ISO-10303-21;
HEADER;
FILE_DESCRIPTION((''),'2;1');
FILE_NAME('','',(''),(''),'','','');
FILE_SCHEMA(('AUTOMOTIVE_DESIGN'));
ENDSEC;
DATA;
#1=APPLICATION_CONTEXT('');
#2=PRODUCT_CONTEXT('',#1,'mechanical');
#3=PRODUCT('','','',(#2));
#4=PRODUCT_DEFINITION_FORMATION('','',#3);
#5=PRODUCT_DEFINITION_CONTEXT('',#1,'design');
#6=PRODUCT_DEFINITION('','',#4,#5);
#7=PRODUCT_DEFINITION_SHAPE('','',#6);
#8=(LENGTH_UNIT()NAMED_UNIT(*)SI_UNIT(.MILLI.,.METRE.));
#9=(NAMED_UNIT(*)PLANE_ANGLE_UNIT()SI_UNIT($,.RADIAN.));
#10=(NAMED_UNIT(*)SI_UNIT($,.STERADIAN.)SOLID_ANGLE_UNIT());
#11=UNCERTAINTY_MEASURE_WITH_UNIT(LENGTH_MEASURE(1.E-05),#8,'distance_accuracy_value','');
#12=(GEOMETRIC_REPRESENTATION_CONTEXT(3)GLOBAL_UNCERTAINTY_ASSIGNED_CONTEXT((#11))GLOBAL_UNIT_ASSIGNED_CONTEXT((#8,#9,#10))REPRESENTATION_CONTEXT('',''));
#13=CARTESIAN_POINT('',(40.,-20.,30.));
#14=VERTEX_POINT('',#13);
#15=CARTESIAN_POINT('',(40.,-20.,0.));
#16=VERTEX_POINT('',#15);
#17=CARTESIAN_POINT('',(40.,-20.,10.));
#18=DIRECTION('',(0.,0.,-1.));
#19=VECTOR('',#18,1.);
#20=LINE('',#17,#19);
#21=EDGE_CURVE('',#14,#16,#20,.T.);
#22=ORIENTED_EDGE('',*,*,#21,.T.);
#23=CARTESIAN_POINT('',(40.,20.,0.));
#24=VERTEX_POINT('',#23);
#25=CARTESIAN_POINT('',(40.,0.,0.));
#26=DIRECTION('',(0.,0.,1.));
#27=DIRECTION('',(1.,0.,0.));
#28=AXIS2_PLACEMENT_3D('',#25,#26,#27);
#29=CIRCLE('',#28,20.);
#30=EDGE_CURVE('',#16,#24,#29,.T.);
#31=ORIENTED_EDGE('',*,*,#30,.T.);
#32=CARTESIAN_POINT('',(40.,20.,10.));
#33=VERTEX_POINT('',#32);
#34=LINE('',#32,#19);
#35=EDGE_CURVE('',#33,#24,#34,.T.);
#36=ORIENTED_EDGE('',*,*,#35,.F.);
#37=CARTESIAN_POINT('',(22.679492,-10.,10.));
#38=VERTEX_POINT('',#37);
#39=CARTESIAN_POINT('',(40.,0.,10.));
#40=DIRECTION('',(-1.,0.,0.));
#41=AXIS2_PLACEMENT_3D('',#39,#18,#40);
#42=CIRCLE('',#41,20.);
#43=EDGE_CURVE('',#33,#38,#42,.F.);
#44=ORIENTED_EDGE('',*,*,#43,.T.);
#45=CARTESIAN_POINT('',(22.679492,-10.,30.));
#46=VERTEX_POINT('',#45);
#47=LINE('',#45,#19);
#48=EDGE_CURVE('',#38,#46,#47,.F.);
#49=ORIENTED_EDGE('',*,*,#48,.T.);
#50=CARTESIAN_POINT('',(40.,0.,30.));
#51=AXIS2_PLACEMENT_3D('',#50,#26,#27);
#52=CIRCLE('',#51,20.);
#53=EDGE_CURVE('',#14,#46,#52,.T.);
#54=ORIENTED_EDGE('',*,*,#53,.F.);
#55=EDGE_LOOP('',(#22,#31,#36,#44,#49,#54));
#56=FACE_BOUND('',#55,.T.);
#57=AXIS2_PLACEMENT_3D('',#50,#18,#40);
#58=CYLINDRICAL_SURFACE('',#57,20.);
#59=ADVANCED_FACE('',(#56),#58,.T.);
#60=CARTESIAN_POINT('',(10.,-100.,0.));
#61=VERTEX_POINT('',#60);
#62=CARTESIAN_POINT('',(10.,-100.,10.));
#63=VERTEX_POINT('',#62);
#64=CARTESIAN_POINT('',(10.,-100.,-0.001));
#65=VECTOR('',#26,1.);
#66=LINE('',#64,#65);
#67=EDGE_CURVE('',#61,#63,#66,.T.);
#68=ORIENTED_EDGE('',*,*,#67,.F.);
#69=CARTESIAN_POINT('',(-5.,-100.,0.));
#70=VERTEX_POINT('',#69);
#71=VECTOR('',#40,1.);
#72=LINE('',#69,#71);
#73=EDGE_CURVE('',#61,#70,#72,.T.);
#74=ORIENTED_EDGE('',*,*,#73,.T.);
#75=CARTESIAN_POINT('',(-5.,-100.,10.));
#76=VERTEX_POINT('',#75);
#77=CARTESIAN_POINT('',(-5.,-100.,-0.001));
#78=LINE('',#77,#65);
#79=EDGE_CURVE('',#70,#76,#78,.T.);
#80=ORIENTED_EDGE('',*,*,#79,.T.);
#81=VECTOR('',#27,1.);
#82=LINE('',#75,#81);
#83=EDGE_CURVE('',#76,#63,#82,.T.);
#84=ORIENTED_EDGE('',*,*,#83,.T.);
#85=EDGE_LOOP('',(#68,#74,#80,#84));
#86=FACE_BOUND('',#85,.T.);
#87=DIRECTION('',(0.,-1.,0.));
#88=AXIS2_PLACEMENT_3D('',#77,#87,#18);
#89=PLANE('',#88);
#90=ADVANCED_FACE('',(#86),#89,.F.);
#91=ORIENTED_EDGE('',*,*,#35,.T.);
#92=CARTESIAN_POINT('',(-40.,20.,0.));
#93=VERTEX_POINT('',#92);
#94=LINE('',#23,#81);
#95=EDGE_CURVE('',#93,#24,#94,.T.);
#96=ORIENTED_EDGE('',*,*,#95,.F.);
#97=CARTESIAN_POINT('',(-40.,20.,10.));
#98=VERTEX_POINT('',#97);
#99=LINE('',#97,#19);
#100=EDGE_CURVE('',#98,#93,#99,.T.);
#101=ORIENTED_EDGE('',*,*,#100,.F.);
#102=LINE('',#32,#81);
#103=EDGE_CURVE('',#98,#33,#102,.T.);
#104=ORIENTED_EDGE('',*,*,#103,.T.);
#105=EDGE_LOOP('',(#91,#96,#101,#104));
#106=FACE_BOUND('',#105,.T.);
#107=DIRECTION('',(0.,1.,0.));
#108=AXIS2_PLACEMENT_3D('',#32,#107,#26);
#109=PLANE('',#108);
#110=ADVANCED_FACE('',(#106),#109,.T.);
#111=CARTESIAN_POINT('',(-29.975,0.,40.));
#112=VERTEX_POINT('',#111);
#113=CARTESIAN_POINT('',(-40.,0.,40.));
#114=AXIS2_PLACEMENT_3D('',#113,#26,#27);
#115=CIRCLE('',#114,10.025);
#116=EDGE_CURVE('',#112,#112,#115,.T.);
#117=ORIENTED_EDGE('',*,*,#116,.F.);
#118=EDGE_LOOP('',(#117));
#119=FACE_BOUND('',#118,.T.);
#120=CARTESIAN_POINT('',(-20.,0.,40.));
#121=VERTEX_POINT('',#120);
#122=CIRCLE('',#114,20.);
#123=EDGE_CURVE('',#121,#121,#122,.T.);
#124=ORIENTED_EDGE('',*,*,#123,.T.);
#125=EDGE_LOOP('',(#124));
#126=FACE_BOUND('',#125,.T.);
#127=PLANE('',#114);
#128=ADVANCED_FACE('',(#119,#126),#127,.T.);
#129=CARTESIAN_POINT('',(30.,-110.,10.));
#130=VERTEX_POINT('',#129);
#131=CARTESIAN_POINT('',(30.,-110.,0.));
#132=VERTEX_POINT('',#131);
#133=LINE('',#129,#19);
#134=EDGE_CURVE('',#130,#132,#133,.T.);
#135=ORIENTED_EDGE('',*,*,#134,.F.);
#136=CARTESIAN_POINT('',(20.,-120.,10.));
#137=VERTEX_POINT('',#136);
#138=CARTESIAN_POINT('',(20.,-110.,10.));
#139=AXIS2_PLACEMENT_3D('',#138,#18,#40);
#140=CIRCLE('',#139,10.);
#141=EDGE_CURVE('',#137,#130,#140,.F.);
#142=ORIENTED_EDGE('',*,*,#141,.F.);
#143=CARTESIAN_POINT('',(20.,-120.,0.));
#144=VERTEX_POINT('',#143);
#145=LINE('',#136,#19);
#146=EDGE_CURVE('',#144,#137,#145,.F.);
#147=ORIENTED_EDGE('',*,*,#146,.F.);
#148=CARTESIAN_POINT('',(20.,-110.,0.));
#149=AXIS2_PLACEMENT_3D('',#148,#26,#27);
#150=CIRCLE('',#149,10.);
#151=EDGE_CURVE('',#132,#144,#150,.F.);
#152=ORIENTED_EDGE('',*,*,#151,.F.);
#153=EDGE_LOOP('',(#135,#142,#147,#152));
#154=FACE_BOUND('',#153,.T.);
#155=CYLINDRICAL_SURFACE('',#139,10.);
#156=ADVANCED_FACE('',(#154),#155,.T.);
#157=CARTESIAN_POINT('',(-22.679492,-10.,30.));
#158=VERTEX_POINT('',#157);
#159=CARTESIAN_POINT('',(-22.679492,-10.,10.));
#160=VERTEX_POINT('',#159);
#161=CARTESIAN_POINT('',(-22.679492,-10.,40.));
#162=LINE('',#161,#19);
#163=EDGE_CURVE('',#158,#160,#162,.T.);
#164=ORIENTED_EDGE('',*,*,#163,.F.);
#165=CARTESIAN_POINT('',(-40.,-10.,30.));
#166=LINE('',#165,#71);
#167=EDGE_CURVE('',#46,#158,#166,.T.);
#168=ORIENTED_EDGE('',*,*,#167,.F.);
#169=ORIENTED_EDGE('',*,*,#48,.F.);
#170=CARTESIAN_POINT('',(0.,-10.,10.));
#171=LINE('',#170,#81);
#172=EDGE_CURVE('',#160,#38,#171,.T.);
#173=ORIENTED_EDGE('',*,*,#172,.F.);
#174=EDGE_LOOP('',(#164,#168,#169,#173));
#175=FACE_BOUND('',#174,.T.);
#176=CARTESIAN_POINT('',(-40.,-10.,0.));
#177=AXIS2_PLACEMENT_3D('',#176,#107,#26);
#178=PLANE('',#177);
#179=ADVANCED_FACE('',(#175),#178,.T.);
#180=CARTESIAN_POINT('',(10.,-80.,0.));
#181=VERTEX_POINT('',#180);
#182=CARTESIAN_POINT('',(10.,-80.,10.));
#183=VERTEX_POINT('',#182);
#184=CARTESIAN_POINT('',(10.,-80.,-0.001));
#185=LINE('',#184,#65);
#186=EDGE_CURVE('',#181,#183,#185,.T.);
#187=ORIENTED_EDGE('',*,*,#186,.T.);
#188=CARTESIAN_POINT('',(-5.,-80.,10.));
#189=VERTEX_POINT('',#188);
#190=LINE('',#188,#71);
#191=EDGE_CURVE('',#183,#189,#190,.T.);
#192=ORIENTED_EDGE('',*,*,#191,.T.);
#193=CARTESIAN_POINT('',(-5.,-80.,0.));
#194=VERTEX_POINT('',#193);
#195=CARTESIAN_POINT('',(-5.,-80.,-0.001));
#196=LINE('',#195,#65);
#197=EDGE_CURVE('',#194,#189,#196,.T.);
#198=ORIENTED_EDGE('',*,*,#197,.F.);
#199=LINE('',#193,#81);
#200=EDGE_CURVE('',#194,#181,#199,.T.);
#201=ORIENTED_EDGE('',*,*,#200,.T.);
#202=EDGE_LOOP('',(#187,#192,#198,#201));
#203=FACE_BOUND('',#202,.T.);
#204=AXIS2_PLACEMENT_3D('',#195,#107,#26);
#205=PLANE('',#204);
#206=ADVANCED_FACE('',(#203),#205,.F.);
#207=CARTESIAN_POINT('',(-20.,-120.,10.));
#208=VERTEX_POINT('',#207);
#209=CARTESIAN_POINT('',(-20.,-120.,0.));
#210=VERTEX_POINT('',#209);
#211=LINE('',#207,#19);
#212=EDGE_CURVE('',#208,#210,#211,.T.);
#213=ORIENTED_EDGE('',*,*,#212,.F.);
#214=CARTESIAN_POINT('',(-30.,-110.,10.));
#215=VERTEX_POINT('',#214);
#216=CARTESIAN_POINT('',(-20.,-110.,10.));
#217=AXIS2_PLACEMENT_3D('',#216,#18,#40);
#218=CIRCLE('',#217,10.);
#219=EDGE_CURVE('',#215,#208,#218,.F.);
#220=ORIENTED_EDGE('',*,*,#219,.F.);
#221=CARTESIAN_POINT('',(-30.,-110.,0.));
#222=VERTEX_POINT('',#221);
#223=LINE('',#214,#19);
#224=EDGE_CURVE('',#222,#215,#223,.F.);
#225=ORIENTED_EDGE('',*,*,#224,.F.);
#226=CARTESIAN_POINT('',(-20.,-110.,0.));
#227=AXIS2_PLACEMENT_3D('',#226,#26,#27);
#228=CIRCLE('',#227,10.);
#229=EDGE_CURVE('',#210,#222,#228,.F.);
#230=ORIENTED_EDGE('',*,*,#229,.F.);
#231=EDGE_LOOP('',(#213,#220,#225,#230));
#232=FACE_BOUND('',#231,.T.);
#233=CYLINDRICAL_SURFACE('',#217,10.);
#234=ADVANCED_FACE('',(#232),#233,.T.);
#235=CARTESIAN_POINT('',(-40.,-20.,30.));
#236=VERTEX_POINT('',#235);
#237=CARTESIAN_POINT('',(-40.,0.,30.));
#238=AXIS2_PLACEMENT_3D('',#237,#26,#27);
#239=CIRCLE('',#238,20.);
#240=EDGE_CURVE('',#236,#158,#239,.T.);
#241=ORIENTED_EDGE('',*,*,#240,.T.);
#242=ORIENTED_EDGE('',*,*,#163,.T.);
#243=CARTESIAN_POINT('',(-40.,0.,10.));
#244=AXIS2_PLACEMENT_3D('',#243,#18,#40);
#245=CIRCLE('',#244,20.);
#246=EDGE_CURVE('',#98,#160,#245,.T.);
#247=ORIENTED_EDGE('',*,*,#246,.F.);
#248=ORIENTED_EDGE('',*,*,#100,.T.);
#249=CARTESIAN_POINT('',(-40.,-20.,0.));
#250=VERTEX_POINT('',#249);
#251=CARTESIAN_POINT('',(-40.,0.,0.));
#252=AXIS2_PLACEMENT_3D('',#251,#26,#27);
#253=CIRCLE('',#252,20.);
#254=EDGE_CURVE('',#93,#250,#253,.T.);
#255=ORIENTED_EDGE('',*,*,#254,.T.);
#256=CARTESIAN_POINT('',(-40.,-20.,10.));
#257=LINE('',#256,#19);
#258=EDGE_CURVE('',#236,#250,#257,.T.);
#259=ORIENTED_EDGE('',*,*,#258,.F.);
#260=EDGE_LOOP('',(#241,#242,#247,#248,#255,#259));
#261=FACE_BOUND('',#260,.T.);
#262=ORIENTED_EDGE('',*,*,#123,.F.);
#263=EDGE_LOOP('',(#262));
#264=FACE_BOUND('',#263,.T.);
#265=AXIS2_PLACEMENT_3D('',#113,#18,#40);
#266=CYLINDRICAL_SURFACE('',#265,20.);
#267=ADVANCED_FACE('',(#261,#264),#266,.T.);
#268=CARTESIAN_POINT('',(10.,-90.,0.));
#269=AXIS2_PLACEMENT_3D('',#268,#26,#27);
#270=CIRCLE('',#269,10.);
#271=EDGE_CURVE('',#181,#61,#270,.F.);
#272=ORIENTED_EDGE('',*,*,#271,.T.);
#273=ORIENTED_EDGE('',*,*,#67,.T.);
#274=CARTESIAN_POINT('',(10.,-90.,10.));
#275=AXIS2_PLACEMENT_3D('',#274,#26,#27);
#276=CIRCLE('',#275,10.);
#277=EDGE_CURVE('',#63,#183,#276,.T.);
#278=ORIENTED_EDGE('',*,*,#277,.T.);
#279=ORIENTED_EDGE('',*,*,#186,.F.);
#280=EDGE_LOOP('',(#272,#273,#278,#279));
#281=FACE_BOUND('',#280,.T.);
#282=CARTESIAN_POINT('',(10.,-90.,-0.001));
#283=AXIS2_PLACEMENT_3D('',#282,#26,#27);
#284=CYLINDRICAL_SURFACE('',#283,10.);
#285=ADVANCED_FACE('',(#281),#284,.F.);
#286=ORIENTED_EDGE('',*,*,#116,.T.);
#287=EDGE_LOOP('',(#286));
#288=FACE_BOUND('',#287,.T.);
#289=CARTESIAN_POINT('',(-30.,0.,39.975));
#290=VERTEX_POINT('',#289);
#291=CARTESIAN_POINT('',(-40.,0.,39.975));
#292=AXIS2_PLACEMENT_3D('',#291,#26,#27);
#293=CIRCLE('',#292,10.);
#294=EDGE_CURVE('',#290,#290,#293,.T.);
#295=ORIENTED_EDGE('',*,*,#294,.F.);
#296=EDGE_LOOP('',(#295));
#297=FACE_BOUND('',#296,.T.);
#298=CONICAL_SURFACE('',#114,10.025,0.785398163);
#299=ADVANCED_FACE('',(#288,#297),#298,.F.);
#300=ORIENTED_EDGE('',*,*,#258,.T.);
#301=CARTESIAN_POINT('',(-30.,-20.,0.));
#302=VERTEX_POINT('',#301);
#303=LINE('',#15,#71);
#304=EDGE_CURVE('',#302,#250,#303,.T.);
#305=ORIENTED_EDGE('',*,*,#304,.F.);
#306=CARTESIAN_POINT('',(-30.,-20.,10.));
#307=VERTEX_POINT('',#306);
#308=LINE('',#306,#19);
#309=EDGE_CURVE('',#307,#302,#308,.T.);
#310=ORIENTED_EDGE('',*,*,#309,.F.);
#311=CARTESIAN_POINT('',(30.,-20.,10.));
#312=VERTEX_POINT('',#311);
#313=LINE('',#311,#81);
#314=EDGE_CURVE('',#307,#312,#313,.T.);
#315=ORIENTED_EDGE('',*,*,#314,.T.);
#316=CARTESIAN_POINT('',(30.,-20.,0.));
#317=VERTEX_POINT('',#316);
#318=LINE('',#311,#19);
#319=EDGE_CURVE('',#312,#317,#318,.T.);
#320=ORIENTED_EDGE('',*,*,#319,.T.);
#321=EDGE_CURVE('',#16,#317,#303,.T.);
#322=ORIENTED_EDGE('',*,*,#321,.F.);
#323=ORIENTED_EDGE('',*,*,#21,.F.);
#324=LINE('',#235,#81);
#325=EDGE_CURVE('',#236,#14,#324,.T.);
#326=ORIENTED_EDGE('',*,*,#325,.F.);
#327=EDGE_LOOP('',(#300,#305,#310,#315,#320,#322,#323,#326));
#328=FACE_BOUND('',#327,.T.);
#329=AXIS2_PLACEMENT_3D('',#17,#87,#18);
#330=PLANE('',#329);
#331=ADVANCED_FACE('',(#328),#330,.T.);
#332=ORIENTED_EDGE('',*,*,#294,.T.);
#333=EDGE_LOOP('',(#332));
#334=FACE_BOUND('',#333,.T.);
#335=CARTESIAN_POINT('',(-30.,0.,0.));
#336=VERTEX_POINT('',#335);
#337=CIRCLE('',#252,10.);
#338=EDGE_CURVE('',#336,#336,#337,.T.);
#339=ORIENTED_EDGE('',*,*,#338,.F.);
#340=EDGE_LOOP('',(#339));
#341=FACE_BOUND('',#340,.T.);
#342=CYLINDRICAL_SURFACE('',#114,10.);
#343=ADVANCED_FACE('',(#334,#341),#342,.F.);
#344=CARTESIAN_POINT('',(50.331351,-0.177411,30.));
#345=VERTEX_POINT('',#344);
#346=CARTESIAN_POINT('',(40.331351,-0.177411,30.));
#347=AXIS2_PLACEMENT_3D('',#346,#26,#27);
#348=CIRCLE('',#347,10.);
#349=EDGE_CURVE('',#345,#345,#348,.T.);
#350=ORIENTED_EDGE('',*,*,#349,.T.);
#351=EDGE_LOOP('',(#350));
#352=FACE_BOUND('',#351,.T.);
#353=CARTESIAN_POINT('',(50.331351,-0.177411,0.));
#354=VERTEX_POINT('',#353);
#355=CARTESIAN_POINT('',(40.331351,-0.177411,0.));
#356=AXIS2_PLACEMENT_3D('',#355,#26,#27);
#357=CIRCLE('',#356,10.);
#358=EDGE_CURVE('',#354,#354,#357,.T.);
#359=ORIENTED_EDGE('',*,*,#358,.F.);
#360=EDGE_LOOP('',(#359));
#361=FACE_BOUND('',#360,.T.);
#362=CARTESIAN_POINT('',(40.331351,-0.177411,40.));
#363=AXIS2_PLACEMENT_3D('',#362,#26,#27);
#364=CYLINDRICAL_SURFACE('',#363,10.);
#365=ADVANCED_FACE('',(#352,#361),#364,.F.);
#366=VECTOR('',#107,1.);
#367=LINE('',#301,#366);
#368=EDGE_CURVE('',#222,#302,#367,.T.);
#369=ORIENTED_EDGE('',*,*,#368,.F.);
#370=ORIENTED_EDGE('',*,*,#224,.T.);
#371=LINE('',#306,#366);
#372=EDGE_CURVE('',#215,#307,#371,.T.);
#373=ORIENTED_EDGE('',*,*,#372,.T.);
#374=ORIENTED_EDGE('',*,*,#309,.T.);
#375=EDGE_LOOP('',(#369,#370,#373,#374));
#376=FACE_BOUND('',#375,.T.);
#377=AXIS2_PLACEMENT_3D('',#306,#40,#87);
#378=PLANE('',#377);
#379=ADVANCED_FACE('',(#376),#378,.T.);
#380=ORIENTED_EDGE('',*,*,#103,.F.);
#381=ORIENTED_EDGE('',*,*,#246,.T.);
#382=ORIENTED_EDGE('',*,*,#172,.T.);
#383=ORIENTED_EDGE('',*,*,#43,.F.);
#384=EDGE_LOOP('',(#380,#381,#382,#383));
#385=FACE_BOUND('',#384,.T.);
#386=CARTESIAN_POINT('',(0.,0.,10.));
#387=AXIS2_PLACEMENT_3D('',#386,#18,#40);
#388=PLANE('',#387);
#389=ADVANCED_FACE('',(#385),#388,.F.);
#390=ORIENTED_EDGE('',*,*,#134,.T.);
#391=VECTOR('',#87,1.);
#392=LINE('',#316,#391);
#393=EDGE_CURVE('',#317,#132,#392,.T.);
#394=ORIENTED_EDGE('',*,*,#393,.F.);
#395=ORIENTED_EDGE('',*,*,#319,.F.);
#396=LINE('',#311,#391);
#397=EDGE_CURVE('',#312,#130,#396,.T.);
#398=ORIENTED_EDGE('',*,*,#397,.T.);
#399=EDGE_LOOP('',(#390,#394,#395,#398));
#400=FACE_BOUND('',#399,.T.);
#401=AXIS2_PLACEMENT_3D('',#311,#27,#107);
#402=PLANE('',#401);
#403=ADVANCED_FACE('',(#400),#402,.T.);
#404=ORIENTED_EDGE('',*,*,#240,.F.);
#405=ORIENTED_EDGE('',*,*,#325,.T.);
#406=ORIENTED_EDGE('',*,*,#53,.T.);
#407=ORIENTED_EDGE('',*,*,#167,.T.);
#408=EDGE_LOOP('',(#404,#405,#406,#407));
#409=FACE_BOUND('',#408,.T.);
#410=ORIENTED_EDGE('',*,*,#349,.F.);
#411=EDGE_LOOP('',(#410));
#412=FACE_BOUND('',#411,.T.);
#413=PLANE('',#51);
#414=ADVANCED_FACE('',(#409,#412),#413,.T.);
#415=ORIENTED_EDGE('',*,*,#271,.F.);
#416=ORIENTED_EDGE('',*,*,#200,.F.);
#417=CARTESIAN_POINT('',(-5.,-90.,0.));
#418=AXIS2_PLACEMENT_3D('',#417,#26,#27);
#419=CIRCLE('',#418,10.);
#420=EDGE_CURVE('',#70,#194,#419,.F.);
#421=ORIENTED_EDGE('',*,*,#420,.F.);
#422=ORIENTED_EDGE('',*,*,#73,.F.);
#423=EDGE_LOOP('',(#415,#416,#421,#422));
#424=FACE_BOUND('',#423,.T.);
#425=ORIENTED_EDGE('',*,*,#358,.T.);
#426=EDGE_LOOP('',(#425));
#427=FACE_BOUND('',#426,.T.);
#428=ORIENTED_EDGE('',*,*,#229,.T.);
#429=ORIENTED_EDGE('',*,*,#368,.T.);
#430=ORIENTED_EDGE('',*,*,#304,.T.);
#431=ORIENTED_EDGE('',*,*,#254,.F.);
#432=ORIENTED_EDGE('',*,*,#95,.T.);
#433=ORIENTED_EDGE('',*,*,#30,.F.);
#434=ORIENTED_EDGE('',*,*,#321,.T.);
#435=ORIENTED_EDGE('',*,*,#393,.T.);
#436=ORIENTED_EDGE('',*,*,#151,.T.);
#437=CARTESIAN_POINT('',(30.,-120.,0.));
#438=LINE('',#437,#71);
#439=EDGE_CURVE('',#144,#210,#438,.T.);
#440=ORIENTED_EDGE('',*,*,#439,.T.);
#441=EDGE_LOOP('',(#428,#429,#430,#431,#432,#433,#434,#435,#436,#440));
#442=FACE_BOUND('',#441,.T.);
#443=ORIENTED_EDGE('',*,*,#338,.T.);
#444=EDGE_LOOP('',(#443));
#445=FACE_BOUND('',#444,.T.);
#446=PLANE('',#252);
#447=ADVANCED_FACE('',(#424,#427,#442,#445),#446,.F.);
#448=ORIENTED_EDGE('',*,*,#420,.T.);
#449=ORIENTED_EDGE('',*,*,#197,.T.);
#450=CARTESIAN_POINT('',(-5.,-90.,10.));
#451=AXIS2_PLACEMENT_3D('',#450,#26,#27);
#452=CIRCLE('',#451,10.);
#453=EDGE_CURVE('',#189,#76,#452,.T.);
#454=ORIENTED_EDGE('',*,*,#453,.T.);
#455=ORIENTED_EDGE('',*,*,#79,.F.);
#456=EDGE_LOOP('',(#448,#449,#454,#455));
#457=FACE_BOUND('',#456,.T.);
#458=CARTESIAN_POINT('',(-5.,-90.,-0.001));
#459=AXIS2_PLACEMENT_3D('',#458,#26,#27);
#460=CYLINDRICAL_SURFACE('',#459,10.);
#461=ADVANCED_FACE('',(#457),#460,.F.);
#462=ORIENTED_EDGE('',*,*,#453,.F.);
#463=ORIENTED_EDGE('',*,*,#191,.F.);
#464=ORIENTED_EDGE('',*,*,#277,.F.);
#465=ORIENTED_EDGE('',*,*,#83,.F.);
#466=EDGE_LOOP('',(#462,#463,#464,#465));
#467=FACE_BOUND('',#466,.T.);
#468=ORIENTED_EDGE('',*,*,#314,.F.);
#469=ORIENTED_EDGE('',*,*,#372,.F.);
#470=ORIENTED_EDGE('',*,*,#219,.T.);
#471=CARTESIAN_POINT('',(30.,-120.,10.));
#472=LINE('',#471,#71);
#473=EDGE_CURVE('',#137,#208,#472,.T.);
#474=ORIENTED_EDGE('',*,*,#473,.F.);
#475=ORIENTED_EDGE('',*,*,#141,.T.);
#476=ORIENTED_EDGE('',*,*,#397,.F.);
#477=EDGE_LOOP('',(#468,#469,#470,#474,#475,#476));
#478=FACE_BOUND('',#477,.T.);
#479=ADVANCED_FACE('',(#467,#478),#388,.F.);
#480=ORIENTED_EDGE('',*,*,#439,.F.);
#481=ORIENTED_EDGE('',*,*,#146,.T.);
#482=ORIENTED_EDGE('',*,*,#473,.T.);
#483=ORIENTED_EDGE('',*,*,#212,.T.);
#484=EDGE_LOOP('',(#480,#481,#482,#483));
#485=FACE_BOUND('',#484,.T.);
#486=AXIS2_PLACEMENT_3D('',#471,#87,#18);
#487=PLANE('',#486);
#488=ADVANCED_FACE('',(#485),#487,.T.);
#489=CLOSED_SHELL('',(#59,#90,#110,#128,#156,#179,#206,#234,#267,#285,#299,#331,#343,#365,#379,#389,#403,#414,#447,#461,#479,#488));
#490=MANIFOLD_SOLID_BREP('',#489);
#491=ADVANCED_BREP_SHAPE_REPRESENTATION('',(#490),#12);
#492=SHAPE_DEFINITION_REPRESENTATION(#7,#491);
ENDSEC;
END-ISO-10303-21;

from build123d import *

# Parameters (mm, degrees)
SKETCH1_R                        = 20
BOSS_EXTRUDE1_DEPTH              = 40
SKETCH1_3_R                      = 20
BOSS_EXTRUDE2_DEPTH              = 30
SKETCH2_W                        = 80
SKETCH2_H                        = 40
BOSS_EXTRUDE3_DEPTH              = 10
SKETCH6_W                        = 80
SKETCH6_H                        = 10
BOSS_EXTRUDE4_DEPTH              = 30
F_20_0MM_DOWEL_HOLE1_D           = 20
F_20_0MM_DOWEL_HOLE1_CSINK_D     = 20.05
F_20_0MM_DOWEL_HOLE1_CSINK_ANGLE = 90
SKETCH11_W                       = 60
SKETCH11_H                       = 100
BOSS_EXTRUDE5_DEPTH              = 10
FILLET1_R                        = 10
FILLET2_R                        = 10
CUT_EXTRUDE2_REACH               = 139.477


with BuildPart() as part:
    # Sketch1 → Boss-Extrude1 (new body)
    with BuildSketch(Plane.XY):
        with Locations((-40, 0)):
            Circle(SKETCH1_R)
    extrude(amount=BOSS_EXTRUDE1_DEPTH)



with BuildPart() as body_2:
    # Sketch1<3> → Boss-Extrude2 (new body)
    with BuildSketch(Plane.XY):
        with Locations((40, 0)):
            Circle(SKETCH1_3_R)
    extrude(amount=BOSS_EXTRUDE2_DEPTH)


with BuildPart() as part_1:
    add(part.part)

    add(body_2.part)  # Boss-Extrude3 merges body 2
    # Sketch2 → Boss-Extrude3 (add)
    with BuildSketch(Plane(origin=(0, 0, 0), x_dir=(-1, 0, 0), z_dir=(0, 0, -1))):
        Rectangle(SKETCH2_W, SKETCH2_H)
    extrude(amount=-BOSS_EXTRUDE3_DEPTH)

    # Sketch6 → Boss-Extrude4 (add)
    with BuildSketch(Plane.XY.offset(30)):
        with Locations((0, -15)):
            Rectangle(SKETCH6_W, SKETCH6_H)
    extrude(amount=-BOSS_EXTRUDE4_DEPTH)

    # Ø20.0mm Dowel Hole1 (through all)
    with Locations(Plane.XY.offset(40)):
        with Locations((-40, 0), (40.331351324, -0.177410636)):
            CounterSinkHole(F_20_0MM_DOWEL_HOLE1_D / 2, F_20_0MM_DOWEL_HOLE1_CSINK_D / 2, counter_sink_angle=F_20_0MM_DOWEL_HOLE1_CSINK_ANGLE)

    # Sketch11 → Boss-Extrude5 (add)
    with BuildSketch(Plane(origin=(0, 0, 0), x_dir=(-1, 0, 0), z_dir=(0, 0, -1))):
        with Locations((0, -70)):
            Rectangle(SKETCH11_W, SKETCH11_H)
    extrude(amount=-BOSS_EXTRUDE5_DEPTH)

    # Fillet1
    fillet1_edges = [part_1.edges().sort_by_distance(p)[0] for p in [
        (-30, -120, 5),
    ]]
    fillet(fillet1_edges, radius=FILLET1_R)

    # Fillet2
    fillet2_edges = [part_1.edges().sort_by_distance(p)[0] for p in [
        (30, -120, 5),
    ]]
    fillet(fillet2_edges, radius=FILLET2_R)

    # Sketch12 → Cut-Extrude2 (cut, up to next)
    with BuildSketch(Plane.XY.offset(10), mode=Mode.PRIVATE) as cut_extrude2_sk1:
        with BuildLine():
            Line((-5, -80), (10, -80))
            ThreePointArc((10, -80), (20, -90), (10, -100))
            Line((10, -100), (-5, -100))
            ThreePointArc((-5, -100), (-15, -90), (-5, -80))
        make_face()
    cut_extrude2_tool1 = extrude(cut_extrude2_sk1.sketch, amount=-CUT_EXTRUDE2_REACH, mode=Mode.PRIVATE) & part_1.part
    add(cut_extrude2_tool1.solids().sort_by_distance((2.5, -90, 10))[0], mode=Mode.SUBTRACT)


solid = part_1.part
